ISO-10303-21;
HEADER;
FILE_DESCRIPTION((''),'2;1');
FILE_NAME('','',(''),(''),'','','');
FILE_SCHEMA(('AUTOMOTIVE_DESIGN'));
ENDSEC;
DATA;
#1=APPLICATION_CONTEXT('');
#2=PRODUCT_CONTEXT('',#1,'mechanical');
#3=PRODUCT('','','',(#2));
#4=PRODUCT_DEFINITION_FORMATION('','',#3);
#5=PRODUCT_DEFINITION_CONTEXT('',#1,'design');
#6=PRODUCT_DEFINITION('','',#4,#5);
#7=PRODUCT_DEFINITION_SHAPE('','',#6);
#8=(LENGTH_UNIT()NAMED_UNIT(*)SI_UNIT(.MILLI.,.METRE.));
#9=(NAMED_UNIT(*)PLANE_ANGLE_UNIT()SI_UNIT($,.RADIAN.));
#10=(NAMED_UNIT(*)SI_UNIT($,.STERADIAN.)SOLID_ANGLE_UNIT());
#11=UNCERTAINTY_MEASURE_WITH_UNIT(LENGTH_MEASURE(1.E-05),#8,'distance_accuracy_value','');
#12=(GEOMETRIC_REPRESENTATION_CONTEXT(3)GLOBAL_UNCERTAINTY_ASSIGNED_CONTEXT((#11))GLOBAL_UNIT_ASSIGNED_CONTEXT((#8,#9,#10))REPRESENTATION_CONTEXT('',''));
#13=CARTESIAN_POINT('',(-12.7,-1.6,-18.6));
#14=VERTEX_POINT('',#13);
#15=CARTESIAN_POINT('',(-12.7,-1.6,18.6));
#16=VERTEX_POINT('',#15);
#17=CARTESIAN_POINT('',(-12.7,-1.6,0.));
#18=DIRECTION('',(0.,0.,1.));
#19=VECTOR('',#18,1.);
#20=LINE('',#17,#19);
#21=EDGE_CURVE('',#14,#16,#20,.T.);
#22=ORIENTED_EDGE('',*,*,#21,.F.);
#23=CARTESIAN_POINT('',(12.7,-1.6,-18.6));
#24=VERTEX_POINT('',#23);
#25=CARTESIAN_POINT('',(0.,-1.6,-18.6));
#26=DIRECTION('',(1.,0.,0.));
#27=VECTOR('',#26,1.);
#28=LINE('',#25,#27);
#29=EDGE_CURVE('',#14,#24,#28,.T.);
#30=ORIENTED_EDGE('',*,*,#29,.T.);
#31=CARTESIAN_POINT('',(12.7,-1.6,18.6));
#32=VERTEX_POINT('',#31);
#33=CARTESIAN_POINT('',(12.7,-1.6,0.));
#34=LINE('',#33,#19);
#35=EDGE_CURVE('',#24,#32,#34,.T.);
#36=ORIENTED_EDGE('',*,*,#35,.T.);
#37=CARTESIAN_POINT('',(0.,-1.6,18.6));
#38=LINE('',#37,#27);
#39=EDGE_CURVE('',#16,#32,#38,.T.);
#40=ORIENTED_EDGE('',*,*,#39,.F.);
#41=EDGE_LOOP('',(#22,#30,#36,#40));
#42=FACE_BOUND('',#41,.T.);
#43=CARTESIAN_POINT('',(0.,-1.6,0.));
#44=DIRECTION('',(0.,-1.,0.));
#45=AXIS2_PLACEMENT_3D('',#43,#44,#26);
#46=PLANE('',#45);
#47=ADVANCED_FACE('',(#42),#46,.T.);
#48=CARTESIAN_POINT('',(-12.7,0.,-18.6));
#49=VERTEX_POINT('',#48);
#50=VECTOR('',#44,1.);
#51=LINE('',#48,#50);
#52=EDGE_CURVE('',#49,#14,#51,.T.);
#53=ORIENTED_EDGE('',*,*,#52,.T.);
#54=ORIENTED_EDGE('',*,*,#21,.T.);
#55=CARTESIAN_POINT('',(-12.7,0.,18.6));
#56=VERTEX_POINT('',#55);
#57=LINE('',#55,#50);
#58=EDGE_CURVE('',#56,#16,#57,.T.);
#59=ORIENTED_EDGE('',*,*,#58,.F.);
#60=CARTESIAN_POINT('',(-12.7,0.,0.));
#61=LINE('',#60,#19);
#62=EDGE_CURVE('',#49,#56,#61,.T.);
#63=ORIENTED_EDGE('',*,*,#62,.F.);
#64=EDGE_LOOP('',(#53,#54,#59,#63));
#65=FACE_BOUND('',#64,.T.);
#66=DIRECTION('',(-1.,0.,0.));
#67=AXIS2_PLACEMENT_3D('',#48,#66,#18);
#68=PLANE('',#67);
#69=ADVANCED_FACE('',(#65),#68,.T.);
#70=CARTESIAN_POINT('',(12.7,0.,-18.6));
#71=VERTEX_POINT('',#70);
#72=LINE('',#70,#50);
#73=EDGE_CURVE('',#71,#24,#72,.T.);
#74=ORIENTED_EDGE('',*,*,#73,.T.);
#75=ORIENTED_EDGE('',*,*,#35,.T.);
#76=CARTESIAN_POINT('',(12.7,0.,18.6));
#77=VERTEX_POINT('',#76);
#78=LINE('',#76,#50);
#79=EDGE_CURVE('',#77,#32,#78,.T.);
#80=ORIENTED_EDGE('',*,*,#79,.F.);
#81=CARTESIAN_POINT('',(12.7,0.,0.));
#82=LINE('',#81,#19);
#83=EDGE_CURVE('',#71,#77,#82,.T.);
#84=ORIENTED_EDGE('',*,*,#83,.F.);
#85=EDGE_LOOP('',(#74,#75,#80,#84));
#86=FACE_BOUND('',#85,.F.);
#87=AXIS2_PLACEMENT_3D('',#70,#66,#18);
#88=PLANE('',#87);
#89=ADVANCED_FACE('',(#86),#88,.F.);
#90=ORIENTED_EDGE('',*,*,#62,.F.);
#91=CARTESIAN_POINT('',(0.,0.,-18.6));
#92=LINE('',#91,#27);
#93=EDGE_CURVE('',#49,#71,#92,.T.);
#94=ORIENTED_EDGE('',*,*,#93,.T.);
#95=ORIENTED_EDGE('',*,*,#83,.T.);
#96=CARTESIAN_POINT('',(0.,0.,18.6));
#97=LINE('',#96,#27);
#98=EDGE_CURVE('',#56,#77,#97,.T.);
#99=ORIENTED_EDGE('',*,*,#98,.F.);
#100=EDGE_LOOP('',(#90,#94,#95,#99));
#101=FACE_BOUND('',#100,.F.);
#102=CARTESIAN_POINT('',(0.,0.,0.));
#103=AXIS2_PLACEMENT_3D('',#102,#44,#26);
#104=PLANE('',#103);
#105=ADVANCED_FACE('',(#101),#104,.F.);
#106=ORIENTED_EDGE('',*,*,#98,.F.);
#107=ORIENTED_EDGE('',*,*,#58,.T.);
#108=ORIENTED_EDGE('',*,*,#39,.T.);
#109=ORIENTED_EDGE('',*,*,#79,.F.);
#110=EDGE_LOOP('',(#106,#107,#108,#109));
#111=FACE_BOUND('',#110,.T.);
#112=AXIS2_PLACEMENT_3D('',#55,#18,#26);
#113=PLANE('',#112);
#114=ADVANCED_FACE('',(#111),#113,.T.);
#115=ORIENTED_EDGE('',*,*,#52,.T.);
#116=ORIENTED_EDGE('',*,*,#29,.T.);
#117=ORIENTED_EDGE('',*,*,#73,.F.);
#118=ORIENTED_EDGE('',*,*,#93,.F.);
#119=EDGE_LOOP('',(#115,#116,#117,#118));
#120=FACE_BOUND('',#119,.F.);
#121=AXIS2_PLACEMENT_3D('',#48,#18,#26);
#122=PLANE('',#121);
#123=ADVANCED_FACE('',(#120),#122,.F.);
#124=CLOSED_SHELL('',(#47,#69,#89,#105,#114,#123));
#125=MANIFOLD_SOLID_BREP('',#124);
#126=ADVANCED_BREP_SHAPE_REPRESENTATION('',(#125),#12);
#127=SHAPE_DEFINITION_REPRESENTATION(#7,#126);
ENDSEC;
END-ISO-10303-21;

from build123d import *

# Parameters (mm, degrees)
SKETCH001_W = 25.4
SKETCH001_H = 37.2
PAD_DEPTH   = 1.6


with BuildPart() as part:
    # Sketch001 → Pad (new body)
    with BuildSketch(Plane.XZ):
        Rectangle(SKETCH001_W, SKETCH001_H)
    extrude(amount=PAD_DEPTH)


solid = part.part
